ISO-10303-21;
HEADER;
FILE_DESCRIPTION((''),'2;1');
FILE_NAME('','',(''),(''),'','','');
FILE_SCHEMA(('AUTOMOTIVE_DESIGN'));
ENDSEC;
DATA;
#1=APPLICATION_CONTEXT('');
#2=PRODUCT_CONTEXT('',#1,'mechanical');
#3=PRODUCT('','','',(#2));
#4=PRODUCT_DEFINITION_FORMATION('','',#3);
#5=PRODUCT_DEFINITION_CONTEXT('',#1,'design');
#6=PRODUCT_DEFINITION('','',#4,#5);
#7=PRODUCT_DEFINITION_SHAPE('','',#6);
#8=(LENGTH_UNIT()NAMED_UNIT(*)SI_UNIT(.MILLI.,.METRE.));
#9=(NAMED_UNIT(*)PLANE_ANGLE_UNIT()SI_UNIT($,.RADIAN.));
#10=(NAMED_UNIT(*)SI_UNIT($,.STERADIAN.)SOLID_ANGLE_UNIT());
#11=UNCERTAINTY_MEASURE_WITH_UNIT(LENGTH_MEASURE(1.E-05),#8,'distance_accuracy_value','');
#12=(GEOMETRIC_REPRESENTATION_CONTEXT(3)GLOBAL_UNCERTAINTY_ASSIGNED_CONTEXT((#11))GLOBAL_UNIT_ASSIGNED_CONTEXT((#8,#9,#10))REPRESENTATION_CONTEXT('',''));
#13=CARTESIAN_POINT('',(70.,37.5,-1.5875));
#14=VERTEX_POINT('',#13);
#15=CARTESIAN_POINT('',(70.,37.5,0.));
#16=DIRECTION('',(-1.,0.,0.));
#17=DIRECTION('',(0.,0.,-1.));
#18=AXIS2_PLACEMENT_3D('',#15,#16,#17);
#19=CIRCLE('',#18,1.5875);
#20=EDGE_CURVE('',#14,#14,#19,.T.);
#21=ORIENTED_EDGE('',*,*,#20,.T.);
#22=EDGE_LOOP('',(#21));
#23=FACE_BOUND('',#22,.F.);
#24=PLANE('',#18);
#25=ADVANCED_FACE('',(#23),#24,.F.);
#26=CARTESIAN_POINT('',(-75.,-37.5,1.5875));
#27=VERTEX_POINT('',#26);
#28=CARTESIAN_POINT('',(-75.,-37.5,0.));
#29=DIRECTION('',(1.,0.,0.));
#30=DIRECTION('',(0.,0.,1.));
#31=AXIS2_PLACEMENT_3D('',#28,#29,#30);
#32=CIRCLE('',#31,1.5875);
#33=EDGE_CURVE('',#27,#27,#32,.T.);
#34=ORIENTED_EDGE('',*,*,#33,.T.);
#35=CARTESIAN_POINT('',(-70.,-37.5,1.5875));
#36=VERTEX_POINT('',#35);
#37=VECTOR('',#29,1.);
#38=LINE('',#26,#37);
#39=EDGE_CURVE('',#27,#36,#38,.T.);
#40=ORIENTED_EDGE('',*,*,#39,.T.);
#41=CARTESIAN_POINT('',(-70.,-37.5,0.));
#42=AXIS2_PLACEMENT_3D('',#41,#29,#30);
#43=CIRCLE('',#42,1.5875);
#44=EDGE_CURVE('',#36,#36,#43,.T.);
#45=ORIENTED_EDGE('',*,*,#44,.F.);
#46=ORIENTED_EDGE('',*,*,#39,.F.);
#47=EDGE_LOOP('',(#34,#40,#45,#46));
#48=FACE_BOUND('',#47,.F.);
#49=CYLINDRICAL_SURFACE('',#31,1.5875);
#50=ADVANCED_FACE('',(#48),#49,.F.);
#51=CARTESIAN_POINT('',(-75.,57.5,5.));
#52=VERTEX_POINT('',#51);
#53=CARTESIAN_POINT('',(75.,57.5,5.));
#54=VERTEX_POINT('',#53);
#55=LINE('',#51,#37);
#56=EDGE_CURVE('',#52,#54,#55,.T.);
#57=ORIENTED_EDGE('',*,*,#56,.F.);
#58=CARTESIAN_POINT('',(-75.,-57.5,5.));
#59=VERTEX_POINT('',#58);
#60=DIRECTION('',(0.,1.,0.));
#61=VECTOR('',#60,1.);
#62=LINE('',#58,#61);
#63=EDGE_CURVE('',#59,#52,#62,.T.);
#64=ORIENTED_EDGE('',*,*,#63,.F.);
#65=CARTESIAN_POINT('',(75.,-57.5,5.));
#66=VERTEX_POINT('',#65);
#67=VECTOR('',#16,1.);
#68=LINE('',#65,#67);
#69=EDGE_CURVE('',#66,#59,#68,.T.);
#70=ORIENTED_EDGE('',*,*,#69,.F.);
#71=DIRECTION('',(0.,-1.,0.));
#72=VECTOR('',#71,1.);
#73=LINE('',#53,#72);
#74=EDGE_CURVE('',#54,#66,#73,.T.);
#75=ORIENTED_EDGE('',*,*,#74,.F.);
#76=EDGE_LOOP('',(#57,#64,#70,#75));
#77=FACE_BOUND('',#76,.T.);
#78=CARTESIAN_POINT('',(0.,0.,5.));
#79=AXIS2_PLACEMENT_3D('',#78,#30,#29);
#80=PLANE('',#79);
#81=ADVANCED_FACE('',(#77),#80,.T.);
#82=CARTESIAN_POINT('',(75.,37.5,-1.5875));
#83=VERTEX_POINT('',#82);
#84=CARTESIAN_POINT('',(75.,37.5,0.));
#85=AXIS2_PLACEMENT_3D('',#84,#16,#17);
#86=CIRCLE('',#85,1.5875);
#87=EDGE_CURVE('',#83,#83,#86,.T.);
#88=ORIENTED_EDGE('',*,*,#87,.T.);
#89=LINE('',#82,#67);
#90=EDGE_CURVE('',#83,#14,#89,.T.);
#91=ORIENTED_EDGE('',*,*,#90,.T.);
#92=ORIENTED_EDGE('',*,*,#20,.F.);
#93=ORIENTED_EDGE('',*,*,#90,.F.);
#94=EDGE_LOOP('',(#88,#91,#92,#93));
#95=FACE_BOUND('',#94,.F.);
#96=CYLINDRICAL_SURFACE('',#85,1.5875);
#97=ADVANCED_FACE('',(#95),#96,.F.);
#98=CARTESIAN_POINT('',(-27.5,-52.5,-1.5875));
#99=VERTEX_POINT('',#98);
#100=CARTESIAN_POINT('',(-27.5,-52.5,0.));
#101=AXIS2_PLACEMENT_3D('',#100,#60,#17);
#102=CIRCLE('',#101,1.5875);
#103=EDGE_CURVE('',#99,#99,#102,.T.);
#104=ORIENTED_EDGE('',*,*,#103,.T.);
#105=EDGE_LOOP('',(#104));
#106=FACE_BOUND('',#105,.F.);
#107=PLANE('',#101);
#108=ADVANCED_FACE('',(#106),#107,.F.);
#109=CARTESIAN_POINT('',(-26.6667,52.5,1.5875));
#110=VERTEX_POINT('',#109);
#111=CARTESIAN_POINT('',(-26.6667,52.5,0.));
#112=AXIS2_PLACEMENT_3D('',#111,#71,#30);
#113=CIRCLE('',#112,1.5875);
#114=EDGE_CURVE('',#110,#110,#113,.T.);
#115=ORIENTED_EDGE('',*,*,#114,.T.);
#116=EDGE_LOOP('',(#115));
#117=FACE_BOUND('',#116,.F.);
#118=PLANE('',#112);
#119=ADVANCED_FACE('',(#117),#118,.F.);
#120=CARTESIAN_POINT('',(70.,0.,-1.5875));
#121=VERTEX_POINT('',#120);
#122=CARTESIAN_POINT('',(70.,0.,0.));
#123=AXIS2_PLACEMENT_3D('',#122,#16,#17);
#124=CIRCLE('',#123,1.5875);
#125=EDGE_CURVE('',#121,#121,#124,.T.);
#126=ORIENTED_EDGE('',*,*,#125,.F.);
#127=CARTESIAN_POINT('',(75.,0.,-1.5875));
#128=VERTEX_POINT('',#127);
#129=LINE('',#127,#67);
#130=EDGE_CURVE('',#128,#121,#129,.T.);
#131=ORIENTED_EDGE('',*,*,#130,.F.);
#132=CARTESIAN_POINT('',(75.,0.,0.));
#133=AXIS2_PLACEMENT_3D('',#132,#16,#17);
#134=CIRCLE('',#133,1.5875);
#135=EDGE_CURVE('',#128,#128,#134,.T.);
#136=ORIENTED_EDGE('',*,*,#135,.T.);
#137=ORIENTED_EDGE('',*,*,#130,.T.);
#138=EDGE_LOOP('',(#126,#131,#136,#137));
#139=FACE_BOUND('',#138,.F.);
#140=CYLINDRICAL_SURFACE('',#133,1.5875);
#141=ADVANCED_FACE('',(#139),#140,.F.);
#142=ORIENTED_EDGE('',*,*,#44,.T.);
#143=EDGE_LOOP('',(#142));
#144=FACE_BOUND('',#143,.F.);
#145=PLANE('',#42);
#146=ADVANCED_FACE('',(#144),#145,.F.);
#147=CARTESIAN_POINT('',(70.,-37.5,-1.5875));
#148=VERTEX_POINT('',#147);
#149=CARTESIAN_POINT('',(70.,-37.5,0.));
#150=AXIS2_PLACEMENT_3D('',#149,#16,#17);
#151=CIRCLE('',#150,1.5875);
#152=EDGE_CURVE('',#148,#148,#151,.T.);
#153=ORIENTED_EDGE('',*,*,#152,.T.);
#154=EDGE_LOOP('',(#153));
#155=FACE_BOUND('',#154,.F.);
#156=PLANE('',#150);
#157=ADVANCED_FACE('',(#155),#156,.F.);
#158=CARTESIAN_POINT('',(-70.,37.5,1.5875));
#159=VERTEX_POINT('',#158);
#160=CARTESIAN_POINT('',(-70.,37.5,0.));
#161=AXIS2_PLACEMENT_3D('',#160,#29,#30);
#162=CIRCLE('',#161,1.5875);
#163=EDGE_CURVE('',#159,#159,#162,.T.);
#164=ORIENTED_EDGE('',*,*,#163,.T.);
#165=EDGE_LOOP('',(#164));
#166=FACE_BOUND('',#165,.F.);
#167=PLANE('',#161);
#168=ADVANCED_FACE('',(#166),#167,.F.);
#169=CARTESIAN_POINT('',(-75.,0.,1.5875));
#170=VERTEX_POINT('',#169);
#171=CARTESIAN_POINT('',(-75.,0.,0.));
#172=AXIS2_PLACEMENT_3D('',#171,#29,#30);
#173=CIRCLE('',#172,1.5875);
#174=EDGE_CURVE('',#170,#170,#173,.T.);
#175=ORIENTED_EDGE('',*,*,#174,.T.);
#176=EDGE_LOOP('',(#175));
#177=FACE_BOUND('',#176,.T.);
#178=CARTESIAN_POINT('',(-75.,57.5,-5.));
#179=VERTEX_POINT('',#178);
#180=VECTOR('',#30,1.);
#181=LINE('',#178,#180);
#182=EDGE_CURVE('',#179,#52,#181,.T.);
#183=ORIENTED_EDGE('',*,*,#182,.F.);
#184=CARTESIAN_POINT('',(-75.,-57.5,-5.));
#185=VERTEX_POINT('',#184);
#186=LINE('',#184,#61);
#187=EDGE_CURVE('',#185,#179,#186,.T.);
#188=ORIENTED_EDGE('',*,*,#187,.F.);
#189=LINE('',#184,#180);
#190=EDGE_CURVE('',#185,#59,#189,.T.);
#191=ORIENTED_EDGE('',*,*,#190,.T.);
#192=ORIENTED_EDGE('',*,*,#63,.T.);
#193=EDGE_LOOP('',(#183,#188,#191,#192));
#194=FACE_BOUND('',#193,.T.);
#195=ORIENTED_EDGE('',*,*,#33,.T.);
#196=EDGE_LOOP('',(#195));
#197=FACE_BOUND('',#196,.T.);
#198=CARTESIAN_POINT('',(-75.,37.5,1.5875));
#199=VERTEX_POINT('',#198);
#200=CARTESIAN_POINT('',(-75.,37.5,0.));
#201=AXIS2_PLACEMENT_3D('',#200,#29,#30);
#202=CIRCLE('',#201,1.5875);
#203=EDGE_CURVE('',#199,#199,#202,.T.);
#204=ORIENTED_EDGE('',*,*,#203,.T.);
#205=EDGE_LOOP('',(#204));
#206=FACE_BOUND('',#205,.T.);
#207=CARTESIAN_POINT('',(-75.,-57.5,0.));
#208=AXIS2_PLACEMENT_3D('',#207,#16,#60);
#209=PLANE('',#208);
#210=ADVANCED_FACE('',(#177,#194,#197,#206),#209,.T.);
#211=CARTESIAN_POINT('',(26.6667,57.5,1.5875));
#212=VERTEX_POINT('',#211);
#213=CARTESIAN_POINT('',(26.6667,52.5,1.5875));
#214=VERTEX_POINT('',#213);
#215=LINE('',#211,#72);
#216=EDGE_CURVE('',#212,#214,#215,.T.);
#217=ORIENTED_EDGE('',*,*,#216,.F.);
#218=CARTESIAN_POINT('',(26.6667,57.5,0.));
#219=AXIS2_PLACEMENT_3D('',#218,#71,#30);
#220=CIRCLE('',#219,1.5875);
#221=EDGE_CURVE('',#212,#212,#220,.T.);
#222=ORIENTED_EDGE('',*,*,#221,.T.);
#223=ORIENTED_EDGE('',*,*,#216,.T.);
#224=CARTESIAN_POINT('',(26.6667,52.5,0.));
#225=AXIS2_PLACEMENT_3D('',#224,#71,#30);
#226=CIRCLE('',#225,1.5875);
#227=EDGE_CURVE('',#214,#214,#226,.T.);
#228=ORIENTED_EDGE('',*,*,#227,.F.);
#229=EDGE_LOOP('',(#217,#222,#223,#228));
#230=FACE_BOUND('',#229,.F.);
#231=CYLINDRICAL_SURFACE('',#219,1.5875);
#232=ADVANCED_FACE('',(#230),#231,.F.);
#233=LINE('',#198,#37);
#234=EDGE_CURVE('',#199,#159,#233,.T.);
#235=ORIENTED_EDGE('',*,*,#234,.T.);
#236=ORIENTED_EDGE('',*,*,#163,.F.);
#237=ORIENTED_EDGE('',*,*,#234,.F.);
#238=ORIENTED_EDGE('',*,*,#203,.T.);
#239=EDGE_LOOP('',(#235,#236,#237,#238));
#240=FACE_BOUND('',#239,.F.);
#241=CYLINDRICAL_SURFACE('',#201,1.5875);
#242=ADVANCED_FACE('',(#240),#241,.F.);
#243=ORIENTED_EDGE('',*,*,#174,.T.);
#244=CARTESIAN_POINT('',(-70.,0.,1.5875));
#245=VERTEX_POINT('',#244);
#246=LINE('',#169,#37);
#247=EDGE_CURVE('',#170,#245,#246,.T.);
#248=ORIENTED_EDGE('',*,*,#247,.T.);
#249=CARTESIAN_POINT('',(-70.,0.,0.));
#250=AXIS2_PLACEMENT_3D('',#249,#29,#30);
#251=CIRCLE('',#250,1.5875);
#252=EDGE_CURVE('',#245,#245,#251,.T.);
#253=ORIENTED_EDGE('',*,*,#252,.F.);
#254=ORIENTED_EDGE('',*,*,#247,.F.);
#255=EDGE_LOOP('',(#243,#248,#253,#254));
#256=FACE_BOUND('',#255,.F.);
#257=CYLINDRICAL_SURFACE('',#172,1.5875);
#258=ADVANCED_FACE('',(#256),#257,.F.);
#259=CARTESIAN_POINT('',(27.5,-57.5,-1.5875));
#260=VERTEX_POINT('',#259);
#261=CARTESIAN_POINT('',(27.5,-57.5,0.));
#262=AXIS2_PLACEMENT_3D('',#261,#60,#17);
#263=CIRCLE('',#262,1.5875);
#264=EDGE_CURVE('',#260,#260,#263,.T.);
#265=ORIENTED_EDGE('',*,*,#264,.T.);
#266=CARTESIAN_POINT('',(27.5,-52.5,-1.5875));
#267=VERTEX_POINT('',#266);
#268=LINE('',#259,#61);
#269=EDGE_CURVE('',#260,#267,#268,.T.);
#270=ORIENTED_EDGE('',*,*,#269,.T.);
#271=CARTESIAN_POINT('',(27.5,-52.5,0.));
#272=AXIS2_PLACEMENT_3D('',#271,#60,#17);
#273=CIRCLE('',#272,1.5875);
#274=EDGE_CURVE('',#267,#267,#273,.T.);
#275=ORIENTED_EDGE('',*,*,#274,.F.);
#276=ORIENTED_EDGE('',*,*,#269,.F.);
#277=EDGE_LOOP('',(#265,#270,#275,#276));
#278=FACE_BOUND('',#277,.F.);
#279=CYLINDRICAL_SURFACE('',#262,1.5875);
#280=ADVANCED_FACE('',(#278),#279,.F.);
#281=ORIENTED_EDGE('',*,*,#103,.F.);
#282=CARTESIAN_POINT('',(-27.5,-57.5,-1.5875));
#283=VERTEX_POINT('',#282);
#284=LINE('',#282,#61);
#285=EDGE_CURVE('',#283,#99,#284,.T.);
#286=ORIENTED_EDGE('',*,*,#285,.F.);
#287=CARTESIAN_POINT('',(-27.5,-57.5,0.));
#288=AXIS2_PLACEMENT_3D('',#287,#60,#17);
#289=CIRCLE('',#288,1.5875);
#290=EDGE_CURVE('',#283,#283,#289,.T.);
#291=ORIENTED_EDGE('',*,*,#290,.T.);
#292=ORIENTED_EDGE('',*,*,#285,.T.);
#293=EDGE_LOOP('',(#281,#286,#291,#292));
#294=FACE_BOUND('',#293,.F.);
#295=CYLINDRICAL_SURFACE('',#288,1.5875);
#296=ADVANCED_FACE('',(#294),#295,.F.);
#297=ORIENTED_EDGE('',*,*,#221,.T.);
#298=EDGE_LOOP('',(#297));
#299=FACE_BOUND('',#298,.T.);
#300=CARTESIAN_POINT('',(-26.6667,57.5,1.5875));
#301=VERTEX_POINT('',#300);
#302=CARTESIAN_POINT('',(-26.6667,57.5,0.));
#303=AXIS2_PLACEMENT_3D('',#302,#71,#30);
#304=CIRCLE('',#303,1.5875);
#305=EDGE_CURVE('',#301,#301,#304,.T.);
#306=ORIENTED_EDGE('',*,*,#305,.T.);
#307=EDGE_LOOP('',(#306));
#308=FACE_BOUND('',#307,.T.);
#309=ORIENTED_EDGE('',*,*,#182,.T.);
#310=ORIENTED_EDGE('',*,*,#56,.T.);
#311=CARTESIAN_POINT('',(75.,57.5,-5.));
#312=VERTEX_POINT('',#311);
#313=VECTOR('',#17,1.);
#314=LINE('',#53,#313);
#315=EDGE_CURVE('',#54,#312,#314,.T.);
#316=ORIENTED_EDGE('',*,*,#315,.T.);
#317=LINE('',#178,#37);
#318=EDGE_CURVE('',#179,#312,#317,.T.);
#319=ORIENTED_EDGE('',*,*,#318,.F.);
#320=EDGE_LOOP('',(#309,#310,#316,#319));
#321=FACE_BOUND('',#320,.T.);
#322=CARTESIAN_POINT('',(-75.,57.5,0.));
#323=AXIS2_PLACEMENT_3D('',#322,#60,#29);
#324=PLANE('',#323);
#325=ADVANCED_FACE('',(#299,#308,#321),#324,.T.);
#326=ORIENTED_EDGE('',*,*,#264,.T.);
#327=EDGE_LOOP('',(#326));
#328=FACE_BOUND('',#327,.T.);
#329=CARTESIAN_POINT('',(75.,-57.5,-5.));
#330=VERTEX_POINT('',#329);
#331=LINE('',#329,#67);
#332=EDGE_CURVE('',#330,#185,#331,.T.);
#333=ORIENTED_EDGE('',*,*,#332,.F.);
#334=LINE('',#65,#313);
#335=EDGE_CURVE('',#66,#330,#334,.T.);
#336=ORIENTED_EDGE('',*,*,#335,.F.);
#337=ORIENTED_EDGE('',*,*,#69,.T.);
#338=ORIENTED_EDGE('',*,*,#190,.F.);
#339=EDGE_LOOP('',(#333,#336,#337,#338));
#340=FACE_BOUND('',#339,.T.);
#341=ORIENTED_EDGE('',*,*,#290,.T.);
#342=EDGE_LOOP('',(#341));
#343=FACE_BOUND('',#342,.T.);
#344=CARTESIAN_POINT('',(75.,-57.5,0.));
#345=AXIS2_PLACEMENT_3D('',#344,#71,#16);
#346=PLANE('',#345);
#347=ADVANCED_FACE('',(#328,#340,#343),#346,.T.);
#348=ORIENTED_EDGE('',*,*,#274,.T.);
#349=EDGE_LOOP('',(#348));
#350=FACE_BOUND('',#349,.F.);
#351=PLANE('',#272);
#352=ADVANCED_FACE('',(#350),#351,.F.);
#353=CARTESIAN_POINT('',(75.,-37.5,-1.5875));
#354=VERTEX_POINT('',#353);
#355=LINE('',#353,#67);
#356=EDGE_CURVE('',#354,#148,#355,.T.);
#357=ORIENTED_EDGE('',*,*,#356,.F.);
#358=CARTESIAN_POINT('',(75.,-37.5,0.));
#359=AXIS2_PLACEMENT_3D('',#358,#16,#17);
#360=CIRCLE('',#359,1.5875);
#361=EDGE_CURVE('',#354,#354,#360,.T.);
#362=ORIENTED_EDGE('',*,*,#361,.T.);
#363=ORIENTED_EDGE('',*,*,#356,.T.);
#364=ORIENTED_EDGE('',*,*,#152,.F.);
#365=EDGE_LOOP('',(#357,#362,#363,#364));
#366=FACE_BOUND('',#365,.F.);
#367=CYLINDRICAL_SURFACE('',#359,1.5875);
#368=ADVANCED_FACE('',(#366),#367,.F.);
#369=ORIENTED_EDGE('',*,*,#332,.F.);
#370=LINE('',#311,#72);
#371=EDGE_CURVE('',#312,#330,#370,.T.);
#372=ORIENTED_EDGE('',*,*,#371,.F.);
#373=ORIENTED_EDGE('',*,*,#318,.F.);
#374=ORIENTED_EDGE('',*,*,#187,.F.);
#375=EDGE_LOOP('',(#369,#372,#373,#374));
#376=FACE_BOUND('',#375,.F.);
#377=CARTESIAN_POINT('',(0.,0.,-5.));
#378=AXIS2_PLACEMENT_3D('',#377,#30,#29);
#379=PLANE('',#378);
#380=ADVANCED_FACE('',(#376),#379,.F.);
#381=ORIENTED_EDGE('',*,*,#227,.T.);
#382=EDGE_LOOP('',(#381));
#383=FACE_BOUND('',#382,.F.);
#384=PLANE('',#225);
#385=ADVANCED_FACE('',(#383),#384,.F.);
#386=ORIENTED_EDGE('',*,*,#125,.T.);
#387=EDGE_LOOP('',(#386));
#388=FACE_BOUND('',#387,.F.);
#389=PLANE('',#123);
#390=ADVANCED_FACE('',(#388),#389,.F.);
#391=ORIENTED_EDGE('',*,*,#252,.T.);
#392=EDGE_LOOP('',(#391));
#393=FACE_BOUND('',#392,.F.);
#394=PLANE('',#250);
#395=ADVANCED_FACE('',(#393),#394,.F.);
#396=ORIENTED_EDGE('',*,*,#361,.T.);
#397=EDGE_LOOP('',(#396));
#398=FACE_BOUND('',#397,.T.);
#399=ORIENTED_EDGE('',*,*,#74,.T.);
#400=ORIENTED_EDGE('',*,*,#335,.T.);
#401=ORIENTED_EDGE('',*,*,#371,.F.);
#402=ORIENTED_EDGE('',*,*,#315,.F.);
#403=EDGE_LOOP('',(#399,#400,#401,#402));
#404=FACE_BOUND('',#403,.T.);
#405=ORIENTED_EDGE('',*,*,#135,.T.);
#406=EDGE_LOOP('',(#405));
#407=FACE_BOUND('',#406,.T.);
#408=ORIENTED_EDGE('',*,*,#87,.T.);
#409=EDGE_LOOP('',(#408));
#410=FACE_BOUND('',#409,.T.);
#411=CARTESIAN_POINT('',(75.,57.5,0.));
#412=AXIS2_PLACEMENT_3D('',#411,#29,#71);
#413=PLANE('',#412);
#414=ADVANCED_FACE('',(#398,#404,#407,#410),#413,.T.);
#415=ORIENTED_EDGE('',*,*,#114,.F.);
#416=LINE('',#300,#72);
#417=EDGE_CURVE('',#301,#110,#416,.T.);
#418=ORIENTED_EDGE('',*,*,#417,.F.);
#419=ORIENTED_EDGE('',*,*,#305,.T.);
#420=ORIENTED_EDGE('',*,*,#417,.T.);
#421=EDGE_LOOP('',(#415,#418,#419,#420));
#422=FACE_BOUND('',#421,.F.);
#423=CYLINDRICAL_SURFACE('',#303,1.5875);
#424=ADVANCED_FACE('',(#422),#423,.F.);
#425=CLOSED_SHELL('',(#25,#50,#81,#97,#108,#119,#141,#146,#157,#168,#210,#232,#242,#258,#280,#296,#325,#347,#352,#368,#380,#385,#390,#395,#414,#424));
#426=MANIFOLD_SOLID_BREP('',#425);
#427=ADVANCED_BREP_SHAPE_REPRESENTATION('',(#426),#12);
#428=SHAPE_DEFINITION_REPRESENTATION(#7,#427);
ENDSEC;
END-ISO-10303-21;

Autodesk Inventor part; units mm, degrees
ref_plane "YZ Plane" through (0, 0, 0) normal (1, 0, 0) x (0, 1, 0)
ref_plane "XZ Plane" through (0, 0, 0) normal (0, 1, 0) x (-1, 0, 0)
ref_plane "XY Plane" through (0, 0, 0) normal (0, 0, 1) x (1, 0, 0)
sketch "Sketch1" plane through (0, 0, 0) normal (0, 0, 1) x (1, 0, 0)
  line L0 (-75, 57.5) -> (75, 57.5)
  line L1 (75, 57.5) -> (75, -57.5)
  line L2 (75, -57.5) -> (-75, -57.5)
  line L3 (-75, -57.5) -> (-75, 57.5)
  line L4 (-75, 57.5) -> (75, -57.5) construction
  line L5 (75, 57.5) -> (-75, -57.5) construction
  point P0 (0, 0)
  dimension "d0" = 150
  dimension "d1" = 115
extrude "Extrusion1" add sketch "Sketch1" along normal mid plane 10
sketch "Sketch2" plane through (75, -57.5, 5) normal (1, 0, 0) x (0, 0, -1)
  line L0 (10, 0) -> (0, 0) projected
  line L1 (0, 0) -> (0, 115) projected
  point P0 (5, 57.5)
  point P1 (5, 20)
  point P2 (5, 57.5)
  point P3 (5, 95)
  dimension "d4" = 20
  dimension "d5" = 5
  dimension "d8" = 37.5
hole "Hole1" at (75, -37.5, 0) at (75, 0, 0) at (75, 37.5, 0) direction (-1, 0, 0) diameter 3.175 depth 5
sketch "Sketch3" plane through (-75, 57.5, 5) normal (0, 1, 0) x (1, 0, 0)
  line L0 (150, 10) -> (150, 0) projected
  line L1 (0, 10) -> (150, 10) projected
  point P0 (75, 5)
  point P1 (101.6667, 5)
  point P2 (48.3333, 5)
  dimension "d21" = 5
  dimension "d24" = 53.3333
  dimension "d69" = 26.6667
hole "Hole2" at (26.6667, 57.5, 0) at (-26.6667, 57.5, 0) direction (0, -1, 0) diameter 3.175 depth 5
sketch "Sketch4" plane through (-75, -57.5, 5) normal (0, -1, 0) x (1, 0, 0)
  line L0 (150, -10) -> (150, 0) projected
  line L1 (0, 0) -> (150, 0) projected
  point P0 (75, -5)
  point P1 (102.5, -5)
  point P2 (47.5, -5)
  dimension "d37" = 5
  dimension "d40" = 55
  dimension "d68" = 27.5
hole "Hole3" at (27.5, -57.5, 0) at (-27.5, -57.5, 0) direction (0, 1, 0) diameter 3.175 depth 5
sketch "Sketch5" plane through (-75, -57.5, 5) normal (-1, 0, 0) x (0, 0, 1)
  line L0 (0, 0) -> (-10, 0) projected
  line L1 (-10, 0) -> (-10, 115) projected
  point P0 (-5, 57.5)
  point P1 (-5, 20)
  point P2 (-5, 57.5)
  point P3 (-5, 95)
  dimension "d52" = 20
  dimension "d53" = 5
  dimension "d56" = 37.5
hole "Hole4" at (-75, -37.5, 0) at (-75, 0, 0) at (-75, 37.5, 0) direction (1, 0, 0) diameter 3.175 depth 5
equation "\"d69\" = 0.5 * d24"
properties part number "front"
